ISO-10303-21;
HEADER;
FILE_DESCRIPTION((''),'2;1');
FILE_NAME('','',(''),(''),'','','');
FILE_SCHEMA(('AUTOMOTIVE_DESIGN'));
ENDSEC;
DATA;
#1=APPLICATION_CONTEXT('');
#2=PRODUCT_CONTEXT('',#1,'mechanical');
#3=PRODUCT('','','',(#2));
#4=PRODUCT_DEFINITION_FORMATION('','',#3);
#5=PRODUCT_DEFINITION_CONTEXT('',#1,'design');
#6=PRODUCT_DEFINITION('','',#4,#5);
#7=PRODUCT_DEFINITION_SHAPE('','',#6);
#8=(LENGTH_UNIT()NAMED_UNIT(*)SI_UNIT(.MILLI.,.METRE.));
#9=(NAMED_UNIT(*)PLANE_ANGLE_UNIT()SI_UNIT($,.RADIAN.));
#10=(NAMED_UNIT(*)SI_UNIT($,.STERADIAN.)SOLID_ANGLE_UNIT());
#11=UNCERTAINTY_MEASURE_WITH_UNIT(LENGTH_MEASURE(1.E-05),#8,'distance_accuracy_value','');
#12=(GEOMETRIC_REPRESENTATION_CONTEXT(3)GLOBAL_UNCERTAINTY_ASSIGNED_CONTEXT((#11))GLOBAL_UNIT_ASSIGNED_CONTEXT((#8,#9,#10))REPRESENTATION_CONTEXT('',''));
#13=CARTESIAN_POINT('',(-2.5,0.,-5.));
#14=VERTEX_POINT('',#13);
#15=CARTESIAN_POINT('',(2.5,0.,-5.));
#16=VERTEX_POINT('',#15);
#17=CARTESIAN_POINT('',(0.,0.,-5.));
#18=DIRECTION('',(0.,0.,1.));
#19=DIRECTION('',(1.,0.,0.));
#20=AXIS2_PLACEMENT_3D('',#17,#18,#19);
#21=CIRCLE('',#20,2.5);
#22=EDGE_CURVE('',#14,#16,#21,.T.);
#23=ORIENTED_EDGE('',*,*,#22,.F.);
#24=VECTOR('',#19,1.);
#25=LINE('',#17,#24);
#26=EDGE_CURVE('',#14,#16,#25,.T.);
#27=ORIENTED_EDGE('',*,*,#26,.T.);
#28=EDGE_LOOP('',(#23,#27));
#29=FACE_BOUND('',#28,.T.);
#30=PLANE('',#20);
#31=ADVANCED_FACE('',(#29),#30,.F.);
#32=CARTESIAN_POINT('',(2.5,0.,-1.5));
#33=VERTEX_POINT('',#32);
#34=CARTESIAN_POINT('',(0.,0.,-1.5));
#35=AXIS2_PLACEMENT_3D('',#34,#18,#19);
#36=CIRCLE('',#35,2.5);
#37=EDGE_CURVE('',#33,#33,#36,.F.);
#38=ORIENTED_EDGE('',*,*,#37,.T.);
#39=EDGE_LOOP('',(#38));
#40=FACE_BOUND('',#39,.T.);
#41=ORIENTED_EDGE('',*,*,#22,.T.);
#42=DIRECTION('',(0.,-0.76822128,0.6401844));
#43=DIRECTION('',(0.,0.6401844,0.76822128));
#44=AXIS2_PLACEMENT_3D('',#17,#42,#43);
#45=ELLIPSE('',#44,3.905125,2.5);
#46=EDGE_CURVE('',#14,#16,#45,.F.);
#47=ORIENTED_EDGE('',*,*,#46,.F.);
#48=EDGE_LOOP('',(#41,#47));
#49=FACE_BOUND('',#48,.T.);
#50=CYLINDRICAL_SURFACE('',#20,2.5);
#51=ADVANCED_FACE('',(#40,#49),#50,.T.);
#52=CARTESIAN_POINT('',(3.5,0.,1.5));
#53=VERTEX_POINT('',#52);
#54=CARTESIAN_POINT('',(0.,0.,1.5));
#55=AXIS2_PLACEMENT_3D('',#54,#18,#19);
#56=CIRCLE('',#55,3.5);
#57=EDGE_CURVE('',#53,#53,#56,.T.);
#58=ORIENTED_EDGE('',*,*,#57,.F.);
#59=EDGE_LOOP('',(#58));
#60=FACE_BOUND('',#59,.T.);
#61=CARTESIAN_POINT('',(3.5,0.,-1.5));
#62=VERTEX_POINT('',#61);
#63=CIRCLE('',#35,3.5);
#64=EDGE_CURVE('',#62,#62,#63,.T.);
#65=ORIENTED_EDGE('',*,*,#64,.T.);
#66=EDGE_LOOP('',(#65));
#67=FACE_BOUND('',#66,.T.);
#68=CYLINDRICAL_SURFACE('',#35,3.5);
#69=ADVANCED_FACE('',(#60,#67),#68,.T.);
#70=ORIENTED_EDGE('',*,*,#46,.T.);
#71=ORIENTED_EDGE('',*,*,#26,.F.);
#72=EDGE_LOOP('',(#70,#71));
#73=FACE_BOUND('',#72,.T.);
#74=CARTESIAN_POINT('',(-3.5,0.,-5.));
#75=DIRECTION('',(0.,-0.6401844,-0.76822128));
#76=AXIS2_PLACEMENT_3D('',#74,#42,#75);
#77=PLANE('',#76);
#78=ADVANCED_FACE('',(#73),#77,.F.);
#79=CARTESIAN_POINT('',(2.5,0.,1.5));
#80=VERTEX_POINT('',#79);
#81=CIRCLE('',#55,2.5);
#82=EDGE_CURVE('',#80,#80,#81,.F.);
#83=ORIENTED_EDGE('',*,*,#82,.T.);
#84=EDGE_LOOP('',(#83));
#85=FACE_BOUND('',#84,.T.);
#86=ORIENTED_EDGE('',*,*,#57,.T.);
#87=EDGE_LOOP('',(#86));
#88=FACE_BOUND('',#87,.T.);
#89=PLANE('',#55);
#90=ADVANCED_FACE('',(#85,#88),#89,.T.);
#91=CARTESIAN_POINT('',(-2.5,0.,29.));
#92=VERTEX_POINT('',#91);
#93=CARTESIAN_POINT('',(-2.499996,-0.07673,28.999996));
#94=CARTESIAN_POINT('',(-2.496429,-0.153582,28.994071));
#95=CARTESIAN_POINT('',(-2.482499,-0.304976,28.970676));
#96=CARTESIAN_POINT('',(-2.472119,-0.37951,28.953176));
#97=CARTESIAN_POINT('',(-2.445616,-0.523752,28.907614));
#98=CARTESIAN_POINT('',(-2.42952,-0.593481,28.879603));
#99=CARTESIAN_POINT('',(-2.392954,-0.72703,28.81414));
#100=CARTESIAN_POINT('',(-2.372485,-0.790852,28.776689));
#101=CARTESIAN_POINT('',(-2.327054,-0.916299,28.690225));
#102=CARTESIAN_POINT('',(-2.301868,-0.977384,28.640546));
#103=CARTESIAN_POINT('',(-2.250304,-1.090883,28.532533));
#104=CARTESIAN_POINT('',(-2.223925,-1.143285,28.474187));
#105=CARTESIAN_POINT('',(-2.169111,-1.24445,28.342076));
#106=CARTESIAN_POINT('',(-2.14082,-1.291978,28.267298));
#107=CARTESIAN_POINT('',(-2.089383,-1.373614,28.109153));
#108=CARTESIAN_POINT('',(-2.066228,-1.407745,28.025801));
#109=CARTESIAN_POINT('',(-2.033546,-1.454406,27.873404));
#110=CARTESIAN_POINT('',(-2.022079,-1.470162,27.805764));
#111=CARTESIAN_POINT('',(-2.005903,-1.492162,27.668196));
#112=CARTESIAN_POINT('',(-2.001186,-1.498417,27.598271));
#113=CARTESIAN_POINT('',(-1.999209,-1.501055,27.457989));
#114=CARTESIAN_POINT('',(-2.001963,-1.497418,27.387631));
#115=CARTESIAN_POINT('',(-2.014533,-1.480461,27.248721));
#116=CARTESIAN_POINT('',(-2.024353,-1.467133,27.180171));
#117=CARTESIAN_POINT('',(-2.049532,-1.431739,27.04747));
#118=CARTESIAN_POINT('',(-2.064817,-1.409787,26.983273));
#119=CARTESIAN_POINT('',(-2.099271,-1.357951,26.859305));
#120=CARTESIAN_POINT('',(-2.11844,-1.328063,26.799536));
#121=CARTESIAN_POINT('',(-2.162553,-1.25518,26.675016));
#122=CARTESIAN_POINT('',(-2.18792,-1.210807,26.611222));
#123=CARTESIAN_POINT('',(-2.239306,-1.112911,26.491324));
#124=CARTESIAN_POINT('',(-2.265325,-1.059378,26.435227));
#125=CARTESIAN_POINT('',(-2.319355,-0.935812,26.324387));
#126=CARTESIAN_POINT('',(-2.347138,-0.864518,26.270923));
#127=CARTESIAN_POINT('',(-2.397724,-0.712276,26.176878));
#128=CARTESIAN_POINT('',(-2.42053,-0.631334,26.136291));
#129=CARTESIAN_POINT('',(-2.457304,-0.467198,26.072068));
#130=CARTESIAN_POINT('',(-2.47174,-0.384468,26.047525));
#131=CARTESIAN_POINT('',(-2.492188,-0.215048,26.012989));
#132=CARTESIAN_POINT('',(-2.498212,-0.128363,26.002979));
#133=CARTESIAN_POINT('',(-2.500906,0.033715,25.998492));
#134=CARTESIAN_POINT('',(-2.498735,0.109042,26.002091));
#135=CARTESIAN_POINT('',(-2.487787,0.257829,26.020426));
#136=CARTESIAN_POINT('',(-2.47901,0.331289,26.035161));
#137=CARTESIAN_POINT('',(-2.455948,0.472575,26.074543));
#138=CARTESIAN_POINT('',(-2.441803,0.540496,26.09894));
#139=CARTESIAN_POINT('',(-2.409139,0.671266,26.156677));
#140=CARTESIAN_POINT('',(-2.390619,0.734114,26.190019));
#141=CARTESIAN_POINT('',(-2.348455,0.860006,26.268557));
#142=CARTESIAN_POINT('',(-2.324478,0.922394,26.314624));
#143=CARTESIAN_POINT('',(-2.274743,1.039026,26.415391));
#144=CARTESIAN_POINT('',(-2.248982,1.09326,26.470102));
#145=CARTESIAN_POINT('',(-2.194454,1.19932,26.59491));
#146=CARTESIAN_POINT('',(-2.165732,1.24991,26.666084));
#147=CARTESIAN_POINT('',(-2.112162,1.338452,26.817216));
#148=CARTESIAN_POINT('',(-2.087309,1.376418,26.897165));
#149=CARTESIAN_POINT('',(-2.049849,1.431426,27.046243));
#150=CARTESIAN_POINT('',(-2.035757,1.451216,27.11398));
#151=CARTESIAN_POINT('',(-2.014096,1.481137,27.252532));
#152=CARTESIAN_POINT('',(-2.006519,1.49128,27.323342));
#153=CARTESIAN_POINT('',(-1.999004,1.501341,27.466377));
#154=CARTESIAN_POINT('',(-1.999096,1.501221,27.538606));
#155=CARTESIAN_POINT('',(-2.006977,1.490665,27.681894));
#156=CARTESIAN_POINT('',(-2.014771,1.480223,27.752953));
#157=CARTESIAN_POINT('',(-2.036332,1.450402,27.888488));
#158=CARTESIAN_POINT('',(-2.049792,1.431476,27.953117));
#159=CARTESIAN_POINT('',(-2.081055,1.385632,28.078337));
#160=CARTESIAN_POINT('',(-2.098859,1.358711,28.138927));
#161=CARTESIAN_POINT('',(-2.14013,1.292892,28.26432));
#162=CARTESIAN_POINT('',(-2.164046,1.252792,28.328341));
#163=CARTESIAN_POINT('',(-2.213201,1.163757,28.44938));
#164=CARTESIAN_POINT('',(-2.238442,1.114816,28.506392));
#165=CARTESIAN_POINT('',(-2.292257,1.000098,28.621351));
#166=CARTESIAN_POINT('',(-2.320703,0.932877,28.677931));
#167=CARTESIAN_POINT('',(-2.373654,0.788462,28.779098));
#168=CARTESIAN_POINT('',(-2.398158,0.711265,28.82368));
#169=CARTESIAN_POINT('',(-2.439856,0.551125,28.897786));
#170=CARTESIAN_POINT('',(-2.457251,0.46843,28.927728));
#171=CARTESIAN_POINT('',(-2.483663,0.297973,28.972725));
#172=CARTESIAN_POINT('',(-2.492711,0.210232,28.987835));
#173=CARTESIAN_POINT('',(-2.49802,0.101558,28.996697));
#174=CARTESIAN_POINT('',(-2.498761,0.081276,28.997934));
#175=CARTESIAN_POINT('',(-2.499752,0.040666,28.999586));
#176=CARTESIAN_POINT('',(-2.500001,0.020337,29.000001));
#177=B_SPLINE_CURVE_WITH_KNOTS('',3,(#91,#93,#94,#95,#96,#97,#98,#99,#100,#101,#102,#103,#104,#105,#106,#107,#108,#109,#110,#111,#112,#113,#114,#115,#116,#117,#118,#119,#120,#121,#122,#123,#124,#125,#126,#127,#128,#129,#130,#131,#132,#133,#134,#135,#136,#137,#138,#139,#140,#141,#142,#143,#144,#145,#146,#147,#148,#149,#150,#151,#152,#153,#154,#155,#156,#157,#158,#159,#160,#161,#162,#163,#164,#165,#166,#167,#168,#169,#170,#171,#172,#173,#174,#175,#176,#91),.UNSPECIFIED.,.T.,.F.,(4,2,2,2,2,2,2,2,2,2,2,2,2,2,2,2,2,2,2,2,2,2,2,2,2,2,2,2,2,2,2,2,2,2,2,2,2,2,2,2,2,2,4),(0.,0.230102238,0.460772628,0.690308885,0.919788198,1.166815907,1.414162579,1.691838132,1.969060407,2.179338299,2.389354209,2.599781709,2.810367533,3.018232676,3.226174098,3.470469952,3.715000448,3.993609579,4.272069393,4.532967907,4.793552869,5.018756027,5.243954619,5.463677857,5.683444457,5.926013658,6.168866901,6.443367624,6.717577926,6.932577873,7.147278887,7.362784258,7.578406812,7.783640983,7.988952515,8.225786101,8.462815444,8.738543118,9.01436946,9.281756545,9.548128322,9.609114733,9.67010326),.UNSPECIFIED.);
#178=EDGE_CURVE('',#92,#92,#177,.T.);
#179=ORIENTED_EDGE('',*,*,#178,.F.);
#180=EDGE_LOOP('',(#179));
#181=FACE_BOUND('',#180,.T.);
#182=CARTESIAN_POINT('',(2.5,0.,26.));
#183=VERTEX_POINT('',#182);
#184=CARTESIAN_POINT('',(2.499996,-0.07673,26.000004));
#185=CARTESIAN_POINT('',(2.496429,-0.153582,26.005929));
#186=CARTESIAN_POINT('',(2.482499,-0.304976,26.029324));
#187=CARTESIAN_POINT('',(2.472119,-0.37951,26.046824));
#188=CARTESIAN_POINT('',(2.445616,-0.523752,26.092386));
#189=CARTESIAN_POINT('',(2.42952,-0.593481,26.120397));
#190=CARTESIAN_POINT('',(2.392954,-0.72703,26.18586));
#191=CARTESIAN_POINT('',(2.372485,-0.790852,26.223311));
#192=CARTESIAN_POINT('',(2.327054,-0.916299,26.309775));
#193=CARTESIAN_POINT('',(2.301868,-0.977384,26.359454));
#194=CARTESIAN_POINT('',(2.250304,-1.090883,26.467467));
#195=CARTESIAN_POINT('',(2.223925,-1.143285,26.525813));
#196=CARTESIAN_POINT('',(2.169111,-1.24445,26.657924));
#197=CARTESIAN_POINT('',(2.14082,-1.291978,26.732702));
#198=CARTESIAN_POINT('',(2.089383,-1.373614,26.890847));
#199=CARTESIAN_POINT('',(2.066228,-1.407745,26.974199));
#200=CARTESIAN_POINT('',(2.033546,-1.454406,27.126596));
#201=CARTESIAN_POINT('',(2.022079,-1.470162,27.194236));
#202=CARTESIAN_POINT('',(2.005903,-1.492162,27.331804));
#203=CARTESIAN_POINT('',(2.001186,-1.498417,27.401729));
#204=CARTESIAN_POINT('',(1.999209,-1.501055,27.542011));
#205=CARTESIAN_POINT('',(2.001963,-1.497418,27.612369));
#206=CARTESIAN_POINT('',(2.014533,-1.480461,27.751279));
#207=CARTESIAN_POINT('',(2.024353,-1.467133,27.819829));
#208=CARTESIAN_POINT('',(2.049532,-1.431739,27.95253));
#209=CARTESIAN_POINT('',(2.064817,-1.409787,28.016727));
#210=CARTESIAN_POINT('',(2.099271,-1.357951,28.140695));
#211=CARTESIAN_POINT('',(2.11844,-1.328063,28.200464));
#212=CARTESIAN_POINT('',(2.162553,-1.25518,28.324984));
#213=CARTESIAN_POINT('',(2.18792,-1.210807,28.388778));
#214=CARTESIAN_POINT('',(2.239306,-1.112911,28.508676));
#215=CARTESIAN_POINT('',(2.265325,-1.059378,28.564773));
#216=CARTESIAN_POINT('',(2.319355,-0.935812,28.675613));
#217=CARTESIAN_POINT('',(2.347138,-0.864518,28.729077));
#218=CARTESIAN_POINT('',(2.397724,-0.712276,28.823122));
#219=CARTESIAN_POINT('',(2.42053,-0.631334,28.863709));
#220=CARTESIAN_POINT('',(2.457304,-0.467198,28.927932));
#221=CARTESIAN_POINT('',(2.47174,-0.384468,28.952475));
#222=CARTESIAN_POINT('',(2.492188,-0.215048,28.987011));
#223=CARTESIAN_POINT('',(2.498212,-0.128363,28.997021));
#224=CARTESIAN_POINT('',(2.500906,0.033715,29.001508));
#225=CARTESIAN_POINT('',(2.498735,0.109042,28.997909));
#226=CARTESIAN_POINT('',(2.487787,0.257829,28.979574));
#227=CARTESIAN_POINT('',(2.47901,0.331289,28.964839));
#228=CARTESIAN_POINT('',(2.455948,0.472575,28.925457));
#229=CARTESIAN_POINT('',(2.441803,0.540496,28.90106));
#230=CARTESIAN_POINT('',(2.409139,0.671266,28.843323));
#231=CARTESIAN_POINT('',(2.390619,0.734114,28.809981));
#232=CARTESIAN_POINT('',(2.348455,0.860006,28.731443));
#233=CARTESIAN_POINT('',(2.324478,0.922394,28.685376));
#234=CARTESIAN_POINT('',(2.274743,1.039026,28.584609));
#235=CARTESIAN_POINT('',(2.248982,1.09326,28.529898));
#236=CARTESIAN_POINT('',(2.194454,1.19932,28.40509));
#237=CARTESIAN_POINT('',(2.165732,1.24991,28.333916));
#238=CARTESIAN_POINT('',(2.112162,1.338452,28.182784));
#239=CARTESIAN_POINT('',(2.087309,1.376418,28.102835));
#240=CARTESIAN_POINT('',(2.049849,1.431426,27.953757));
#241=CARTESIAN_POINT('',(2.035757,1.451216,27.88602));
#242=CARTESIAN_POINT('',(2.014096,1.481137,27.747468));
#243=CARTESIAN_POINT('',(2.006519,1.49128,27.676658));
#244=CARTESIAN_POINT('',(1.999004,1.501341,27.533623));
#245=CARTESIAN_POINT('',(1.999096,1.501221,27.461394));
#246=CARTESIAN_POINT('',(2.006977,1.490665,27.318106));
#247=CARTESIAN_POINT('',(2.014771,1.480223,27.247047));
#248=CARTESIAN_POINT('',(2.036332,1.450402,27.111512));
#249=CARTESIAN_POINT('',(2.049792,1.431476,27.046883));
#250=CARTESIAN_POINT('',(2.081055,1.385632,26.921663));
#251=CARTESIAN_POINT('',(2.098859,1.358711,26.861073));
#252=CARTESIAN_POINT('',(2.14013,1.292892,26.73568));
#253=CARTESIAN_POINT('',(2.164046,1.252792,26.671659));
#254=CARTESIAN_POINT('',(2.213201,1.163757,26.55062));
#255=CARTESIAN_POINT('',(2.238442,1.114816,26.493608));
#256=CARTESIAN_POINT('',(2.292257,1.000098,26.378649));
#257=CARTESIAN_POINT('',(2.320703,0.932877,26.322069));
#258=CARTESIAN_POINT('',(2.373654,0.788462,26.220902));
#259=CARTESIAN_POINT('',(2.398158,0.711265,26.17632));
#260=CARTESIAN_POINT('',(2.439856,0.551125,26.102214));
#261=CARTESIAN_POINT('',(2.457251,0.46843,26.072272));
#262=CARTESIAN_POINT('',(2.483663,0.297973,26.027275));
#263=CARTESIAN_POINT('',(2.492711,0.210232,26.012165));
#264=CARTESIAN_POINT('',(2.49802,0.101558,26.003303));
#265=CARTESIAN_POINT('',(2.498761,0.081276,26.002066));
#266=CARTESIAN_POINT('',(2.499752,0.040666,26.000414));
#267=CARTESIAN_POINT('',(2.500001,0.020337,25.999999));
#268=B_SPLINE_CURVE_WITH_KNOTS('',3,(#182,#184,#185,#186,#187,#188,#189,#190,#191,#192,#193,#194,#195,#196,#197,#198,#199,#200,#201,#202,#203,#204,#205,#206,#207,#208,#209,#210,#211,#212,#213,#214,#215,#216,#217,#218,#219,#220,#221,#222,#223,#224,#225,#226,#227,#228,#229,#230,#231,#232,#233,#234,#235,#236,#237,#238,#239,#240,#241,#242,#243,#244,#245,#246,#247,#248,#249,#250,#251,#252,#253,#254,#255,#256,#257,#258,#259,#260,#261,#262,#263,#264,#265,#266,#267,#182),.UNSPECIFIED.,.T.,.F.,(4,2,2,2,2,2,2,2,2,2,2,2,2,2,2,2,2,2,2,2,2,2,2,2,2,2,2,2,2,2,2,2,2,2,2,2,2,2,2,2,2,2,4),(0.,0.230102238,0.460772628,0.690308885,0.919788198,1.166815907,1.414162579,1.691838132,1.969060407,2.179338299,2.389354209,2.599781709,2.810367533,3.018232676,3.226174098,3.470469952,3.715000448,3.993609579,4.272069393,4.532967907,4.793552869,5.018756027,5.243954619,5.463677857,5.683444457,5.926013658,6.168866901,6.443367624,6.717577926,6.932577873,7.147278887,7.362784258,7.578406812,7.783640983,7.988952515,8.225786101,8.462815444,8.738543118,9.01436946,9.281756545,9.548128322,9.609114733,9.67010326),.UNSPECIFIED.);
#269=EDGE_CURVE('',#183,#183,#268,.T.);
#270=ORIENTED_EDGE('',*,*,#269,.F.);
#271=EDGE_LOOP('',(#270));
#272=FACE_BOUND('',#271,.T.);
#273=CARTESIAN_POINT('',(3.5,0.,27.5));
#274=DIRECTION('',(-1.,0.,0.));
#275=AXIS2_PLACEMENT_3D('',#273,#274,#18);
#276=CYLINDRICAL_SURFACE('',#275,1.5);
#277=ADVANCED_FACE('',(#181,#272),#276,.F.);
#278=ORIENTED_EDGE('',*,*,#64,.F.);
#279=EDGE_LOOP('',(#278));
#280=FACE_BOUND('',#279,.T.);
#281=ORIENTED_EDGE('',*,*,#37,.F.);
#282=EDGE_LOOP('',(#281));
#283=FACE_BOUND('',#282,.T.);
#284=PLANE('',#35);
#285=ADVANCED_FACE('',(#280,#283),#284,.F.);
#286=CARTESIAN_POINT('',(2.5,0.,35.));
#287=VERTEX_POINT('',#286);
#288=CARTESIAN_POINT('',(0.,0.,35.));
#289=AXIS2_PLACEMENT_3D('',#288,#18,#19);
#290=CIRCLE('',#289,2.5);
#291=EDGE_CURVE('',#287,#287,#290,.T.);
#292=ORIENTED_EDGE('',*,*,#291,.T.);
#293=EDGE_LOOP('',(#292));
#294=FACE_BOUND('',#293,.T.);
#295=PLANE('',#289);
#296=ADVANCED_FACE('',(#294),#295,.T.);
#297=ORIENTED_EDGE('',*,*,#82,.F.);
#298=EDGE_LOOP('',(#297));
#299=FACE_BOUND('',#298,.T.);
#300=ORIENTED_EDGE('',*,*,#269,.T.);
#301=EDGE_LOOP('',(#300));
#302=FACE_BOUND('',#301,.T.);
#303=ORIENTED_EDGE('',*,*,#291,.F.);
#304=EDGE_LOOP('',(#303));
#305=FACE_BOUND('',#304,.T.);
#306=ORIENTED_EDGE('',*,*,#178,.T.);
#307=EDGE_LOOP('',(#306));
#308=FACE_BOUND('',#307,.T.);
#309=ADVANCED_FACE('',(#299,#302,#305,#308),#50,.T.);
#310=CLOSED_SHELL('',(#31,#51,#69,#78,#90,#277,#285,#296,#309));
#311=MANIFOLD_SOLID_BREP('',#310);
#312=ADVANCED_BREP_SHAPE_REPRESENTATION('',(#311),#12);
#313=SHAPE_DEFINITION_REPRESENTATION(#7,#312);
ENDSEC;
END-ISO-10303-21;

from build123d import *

# Parameters (mm, degrees)
SKETCH1_R                = 2.5
BOSS_EXTRUDE1_DEPTH      = 35
BOSS_EXTRUDE1_DEPTH_BACK = 5
SKETCH2_R                = 3.5
BOSS_EXTRUDE2_DEPTH      = 1.5
BOSS_EXTRUDE2_DEPTH_BACK = 1.5
SKETCH3_R                = 1.5
CUT_EXTRUDE1_DEPTH       = 4.5
CUT_EXTRUDE1_DEPTH_BACK  = 4.5
CUT_EXTRUDE2_DEPTH       = 4.5
CUT_EXTRUDE2_DEPTH_BACK  = 4.5


with BuildPart() as part:
    # Sketch1 → Boss-Extrude1 (new body, two sides)
    with BuildSketch(Plane.XY) as boss_extrude1_sk:
        Circle(SKETCH1_R)
    extrude(amount=BOSS_EXTRUDE1_DEPTH)
    extrude(boss_extrude1_sk.sketch, amount=-BOSS_EXTRUDE1_DEPTH_BACK)

    # Sketch2 → Boss-Extrude2 (add, two sides)
    with BuildSketch(Plane.XY) as boss_extrude2_sk:
        Circle(SKETCH2_R)
    extrude(amount=BOSS_EXTRUDE2_DEPTH)
    extrude(boss_extrude2_sk.sketch, amount=-BOSS_EXTRUDE2_DEPTH_BACK)

    # Sketch3 → Cut-Extrude1 (cut, two sides)
    with BuildSketch(Plane(origin=(0, 0, 0), x_dir=(0, 0, -1), z_dir=(1, 0, 0))) as cut_extrude1_sk:
        with Locations((-27.5, 0)):
            Circle(SKETCH3_R)
    extrude(amount=CUT_EXTRUDE1_DEPTH, mode=Mode.SUBTRACT)
    extrude(cut_extrude1_sk.sketch, amount=-CUT_EXTRUDE1_DEPTH_BACK, mode=Mode.SUBTRACT)

    # Sketch4 → Cut-Extrude2 (cut, two sides)
    with BuildSketch(Plane(origin=(0, 0, 0), x_dir=(0, 0, -1), z_dir=(1, 0, 0))) as cut_extrude2_sk:
        Polygon((5, 0), (2, 2.5), (5, 2.5), align=None)
    extrude(amount=CUT_EXTRUDE2_DEPTH, mode=Mode.SUBTRACT)
    extrude(cut_extrude2_sk.sketch, amount=-CUT_EXTRUDE2_DEPTH_BACK, mode=Mode.SUBTRACT)


solid = part.part
